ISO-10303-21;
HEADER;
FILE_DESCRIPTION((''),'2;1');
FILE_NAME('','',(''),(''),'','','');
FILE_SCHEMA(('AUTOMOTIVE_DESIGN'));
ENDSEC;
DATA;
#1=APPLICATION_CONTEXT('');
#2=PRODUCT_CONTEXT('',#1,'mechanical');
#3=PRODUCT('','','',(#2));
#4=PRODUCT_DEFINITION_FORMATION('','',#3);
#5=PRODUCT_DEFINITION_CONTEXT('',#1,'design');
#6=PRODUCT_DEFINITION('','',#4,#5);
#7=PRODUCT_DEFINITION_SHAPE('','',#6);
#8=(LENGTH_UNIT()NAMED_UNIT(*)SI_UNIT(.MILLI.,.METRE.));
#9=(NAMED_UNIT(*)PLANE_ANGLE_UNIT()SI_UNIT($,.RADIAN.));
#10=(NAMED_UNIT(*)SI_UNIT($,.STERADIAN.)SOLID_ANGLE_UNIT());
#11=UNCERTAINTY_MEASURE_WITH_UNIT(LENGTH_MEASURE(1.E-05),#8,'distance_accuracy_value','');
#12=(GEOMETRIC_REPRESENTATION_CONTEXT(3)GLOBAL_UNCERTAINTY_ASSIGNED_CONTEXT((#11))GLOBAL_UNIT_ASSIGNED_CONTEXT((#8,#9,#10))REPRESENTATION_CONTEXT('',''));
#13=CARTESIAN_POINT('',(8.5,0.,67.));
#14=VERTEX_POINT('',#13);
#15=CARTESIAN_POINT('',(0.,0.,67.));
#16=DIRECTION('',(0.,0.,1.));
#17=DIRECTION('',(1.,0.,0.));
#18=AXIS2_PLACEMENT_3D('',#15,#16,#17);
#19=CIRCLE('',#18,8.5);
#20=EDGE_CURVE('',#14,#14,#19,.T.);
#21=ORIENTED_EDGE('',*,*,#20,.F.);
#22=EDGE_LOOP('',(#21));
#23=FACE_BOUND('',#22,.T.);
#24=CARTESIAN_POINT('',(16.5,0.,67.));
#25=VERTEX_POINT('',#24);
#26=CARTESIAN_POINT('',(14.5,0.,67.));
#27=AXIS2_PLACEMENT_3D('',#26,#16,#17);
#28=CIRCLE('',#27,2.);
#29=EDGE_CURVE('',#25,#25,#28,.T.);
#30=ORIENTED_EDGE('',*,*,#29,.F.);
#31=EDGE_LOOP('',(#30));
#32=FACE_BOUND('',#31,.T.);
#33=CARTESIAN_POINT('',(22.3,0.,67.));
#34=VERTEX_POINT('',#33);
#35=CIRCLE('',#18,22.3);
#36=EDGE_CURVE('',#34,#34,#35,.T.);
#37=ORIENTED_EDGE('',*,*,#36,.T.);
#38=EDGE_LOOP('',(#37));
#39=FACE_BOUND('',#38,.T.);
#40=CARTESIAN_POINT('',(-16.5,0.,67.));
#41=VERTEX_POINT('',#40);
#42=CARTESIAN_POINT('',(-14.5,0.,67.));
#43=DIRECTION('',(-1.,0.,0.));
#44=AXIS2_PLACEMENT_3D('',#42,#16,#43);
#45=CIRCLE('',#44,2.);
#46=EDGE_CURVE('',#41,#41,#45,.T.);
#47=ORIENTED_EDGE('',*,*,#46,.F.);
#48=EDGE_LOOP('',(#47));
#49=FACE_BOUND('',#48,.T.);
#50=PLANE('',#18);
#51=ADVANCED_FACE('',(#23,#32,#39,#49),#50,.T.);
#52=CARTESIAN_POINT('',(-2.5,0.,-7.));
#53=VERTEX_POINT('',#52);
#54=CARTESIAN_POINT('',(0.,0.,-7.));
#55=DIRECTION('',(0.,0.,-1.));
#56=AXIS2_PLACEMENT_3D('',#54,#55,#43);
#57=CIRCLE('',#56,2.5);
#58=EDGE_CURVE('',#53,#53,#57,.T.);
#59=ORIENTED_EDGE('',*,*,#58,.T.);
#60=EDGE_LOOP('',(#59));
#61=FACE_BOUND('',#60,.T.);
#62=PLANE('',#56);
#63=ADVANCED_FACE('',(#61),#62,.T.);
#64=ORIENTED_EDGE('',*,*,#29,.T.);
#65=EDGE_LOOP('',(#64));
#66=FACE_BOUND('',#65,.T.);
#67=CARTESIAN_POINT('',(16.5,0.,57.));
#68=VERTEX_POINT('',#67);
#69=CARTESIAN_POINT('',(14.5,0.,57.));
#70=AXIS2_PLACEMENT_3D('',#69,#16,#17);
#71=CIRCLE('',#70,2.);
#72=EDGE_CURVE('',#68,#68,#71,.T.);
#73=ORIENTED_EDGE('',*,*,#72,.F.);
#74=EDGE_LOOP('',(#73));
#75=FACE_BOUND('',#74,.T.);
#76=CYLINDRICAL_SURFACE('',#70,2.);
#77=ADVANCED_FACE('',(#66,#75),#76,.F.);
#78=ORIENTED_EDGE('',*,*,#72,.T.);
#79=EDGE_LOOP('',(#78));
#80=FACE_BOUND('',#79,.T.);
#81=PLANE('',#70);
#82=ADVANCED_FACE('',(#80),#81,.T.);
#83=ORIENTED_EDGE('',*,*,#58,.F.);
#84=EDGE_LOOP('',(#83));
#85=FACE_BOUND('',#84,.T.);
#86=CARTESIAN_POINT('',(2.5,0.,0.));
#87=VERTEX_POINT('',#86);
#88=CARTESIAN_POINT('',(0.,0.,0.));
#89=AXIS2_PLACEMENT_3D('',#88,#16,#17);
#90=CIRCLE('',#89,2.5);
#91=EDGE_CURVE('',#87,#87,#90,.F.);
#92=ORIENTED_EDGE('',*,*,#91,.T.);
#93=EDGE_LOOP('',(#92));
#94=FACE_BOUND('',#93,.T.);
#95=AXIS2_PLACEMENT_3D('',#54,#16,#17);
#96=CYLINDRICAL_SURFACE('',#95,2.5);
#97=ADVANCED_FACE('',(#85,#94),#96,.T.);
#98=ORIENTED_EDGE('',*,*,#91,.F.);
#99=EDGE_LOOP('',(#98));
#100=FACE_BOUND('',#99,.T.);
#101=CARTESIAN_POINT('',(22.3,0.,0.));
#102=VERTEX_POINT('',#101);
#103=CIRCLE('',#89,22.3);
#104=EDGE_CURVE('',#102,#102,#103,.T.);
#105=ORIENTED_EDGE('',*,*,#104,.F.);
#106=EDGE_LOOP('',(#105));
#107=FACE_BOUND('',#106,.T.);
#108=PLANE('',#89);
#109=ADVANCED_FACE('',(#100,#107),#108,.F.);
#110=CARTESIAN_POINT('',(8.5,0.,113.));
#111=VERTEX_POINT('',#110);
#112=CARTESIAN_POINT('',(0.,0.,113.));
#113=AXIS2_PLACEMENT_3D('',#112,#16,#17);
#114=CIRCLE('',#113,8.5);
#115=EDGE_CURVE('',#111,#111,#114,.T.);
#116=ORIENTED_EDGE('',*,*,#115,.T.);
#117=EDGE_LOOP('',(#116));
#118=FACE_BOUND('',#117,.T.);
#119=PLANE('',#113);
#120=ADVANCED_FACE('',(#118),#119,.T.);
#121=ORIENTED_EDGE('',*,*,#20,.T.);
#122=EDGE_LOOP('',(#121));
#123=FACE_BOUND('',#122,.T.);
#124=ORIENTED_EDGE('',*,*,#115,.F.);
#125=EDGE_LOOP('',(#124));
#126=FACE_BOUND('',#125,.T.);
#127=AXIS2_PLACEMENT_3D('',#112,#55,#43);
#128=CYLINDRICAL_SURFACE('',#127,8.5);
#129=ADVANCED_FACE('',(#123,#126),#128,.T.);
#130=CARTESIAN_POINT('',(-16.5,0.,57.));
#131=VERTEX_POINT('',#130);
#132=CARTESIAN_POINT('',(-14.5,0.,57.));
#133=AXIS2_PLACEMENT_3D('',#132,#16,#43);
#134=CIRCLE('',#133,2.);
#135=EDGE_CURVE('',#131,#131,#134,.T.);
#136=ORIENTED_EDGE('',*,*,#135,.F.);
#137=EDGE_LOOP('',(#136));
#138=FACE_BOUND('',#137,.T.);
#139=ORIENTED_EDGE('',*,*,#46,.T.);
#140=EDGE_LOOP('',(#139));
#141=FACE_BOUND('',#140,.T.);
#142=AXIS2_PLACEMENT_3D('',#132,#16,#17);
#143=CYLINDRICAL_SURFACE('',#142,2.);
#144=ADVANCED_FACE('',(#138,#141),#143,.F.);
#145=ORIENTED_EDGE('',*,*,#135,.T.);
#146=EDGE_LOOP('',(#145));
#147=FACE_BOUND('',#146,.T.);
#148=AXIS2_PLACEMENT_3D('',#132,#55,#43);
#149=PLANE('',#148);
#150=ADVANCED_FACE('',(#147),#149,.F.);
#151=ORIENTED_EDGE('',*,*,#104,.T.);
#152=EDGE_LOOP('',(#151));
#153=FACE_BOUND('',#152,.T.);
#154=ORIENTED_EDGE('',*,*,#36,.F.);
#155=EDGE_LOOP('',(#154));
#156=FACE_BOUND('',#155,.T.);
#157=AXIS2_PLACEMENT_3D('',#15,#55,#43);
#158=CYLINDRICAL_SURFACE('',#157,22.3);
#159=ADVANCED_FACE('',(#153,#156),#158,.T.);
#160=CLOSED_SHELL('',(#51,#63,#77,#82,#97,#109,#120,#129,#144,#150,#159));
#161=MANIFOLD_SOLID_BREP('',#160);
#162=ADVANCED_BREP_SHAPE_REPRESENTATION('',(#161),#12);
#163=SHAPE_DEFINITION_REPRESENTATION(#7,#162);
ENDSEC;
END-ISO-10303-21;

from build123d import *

# Parameters (mm, degrees)
SKETCH_1_R          = 22.3
EXTRUDE_1_DEPTH     = 67
SKETCH_2_R          = 8.5
EXTRUDE_2_DEPTH     = 46
SKETCH_3_R          = 2.5
EXTRUDE_3_DEPTH     = 7
SKETCH_4_R          = 2
CUT_EXTRUDE_1_DEPTH = 10


with BuildPart() as part:
    # 草圖1 → 填料-伸長1 (new body)
    with BuildSketch(Plane.XY):
        Circle(SKETCH_1_R)
    extrude(amount=EXTRUDE_1_DEPTH)

    # 草圖2 → 填料-伸長2 (add)
    with BuildSketch(Plane.XY.offset(67)):
        Circle(SKETCH_2_R)
    extrude(amount=EXTRUDE_2_DEPTH)

    # 草圖3 → 填料-伸長3 (add)
    with BuildSketch(Plane(origin=(0, 0, 0), x_dir=(-1, 0, 0), z_dir=(0, 0, -1))):
        with Locations(Location((0, 0, 0), (0, 0, 180))):
            Circle(SKETCH_3_R)
    extrude(amount=EXTRUDE_3_DEPTH)

    # 草圖4 → 除料-伸長1 (cut)
    with BuildSketch(Plane.XY.offset(67)):
        with Locations((14.5, 0)):
            Circle(SKETCH_4_R)
        with Locations(Location((-14.5, 0, 0), (0, 0, 180))):
            Circle(SKETCH_4_R)
    extrude(amount=-CUT_EXTRUDE_1_DEPTH, mode=Mode.SUBTRACT)


solid = part.part
